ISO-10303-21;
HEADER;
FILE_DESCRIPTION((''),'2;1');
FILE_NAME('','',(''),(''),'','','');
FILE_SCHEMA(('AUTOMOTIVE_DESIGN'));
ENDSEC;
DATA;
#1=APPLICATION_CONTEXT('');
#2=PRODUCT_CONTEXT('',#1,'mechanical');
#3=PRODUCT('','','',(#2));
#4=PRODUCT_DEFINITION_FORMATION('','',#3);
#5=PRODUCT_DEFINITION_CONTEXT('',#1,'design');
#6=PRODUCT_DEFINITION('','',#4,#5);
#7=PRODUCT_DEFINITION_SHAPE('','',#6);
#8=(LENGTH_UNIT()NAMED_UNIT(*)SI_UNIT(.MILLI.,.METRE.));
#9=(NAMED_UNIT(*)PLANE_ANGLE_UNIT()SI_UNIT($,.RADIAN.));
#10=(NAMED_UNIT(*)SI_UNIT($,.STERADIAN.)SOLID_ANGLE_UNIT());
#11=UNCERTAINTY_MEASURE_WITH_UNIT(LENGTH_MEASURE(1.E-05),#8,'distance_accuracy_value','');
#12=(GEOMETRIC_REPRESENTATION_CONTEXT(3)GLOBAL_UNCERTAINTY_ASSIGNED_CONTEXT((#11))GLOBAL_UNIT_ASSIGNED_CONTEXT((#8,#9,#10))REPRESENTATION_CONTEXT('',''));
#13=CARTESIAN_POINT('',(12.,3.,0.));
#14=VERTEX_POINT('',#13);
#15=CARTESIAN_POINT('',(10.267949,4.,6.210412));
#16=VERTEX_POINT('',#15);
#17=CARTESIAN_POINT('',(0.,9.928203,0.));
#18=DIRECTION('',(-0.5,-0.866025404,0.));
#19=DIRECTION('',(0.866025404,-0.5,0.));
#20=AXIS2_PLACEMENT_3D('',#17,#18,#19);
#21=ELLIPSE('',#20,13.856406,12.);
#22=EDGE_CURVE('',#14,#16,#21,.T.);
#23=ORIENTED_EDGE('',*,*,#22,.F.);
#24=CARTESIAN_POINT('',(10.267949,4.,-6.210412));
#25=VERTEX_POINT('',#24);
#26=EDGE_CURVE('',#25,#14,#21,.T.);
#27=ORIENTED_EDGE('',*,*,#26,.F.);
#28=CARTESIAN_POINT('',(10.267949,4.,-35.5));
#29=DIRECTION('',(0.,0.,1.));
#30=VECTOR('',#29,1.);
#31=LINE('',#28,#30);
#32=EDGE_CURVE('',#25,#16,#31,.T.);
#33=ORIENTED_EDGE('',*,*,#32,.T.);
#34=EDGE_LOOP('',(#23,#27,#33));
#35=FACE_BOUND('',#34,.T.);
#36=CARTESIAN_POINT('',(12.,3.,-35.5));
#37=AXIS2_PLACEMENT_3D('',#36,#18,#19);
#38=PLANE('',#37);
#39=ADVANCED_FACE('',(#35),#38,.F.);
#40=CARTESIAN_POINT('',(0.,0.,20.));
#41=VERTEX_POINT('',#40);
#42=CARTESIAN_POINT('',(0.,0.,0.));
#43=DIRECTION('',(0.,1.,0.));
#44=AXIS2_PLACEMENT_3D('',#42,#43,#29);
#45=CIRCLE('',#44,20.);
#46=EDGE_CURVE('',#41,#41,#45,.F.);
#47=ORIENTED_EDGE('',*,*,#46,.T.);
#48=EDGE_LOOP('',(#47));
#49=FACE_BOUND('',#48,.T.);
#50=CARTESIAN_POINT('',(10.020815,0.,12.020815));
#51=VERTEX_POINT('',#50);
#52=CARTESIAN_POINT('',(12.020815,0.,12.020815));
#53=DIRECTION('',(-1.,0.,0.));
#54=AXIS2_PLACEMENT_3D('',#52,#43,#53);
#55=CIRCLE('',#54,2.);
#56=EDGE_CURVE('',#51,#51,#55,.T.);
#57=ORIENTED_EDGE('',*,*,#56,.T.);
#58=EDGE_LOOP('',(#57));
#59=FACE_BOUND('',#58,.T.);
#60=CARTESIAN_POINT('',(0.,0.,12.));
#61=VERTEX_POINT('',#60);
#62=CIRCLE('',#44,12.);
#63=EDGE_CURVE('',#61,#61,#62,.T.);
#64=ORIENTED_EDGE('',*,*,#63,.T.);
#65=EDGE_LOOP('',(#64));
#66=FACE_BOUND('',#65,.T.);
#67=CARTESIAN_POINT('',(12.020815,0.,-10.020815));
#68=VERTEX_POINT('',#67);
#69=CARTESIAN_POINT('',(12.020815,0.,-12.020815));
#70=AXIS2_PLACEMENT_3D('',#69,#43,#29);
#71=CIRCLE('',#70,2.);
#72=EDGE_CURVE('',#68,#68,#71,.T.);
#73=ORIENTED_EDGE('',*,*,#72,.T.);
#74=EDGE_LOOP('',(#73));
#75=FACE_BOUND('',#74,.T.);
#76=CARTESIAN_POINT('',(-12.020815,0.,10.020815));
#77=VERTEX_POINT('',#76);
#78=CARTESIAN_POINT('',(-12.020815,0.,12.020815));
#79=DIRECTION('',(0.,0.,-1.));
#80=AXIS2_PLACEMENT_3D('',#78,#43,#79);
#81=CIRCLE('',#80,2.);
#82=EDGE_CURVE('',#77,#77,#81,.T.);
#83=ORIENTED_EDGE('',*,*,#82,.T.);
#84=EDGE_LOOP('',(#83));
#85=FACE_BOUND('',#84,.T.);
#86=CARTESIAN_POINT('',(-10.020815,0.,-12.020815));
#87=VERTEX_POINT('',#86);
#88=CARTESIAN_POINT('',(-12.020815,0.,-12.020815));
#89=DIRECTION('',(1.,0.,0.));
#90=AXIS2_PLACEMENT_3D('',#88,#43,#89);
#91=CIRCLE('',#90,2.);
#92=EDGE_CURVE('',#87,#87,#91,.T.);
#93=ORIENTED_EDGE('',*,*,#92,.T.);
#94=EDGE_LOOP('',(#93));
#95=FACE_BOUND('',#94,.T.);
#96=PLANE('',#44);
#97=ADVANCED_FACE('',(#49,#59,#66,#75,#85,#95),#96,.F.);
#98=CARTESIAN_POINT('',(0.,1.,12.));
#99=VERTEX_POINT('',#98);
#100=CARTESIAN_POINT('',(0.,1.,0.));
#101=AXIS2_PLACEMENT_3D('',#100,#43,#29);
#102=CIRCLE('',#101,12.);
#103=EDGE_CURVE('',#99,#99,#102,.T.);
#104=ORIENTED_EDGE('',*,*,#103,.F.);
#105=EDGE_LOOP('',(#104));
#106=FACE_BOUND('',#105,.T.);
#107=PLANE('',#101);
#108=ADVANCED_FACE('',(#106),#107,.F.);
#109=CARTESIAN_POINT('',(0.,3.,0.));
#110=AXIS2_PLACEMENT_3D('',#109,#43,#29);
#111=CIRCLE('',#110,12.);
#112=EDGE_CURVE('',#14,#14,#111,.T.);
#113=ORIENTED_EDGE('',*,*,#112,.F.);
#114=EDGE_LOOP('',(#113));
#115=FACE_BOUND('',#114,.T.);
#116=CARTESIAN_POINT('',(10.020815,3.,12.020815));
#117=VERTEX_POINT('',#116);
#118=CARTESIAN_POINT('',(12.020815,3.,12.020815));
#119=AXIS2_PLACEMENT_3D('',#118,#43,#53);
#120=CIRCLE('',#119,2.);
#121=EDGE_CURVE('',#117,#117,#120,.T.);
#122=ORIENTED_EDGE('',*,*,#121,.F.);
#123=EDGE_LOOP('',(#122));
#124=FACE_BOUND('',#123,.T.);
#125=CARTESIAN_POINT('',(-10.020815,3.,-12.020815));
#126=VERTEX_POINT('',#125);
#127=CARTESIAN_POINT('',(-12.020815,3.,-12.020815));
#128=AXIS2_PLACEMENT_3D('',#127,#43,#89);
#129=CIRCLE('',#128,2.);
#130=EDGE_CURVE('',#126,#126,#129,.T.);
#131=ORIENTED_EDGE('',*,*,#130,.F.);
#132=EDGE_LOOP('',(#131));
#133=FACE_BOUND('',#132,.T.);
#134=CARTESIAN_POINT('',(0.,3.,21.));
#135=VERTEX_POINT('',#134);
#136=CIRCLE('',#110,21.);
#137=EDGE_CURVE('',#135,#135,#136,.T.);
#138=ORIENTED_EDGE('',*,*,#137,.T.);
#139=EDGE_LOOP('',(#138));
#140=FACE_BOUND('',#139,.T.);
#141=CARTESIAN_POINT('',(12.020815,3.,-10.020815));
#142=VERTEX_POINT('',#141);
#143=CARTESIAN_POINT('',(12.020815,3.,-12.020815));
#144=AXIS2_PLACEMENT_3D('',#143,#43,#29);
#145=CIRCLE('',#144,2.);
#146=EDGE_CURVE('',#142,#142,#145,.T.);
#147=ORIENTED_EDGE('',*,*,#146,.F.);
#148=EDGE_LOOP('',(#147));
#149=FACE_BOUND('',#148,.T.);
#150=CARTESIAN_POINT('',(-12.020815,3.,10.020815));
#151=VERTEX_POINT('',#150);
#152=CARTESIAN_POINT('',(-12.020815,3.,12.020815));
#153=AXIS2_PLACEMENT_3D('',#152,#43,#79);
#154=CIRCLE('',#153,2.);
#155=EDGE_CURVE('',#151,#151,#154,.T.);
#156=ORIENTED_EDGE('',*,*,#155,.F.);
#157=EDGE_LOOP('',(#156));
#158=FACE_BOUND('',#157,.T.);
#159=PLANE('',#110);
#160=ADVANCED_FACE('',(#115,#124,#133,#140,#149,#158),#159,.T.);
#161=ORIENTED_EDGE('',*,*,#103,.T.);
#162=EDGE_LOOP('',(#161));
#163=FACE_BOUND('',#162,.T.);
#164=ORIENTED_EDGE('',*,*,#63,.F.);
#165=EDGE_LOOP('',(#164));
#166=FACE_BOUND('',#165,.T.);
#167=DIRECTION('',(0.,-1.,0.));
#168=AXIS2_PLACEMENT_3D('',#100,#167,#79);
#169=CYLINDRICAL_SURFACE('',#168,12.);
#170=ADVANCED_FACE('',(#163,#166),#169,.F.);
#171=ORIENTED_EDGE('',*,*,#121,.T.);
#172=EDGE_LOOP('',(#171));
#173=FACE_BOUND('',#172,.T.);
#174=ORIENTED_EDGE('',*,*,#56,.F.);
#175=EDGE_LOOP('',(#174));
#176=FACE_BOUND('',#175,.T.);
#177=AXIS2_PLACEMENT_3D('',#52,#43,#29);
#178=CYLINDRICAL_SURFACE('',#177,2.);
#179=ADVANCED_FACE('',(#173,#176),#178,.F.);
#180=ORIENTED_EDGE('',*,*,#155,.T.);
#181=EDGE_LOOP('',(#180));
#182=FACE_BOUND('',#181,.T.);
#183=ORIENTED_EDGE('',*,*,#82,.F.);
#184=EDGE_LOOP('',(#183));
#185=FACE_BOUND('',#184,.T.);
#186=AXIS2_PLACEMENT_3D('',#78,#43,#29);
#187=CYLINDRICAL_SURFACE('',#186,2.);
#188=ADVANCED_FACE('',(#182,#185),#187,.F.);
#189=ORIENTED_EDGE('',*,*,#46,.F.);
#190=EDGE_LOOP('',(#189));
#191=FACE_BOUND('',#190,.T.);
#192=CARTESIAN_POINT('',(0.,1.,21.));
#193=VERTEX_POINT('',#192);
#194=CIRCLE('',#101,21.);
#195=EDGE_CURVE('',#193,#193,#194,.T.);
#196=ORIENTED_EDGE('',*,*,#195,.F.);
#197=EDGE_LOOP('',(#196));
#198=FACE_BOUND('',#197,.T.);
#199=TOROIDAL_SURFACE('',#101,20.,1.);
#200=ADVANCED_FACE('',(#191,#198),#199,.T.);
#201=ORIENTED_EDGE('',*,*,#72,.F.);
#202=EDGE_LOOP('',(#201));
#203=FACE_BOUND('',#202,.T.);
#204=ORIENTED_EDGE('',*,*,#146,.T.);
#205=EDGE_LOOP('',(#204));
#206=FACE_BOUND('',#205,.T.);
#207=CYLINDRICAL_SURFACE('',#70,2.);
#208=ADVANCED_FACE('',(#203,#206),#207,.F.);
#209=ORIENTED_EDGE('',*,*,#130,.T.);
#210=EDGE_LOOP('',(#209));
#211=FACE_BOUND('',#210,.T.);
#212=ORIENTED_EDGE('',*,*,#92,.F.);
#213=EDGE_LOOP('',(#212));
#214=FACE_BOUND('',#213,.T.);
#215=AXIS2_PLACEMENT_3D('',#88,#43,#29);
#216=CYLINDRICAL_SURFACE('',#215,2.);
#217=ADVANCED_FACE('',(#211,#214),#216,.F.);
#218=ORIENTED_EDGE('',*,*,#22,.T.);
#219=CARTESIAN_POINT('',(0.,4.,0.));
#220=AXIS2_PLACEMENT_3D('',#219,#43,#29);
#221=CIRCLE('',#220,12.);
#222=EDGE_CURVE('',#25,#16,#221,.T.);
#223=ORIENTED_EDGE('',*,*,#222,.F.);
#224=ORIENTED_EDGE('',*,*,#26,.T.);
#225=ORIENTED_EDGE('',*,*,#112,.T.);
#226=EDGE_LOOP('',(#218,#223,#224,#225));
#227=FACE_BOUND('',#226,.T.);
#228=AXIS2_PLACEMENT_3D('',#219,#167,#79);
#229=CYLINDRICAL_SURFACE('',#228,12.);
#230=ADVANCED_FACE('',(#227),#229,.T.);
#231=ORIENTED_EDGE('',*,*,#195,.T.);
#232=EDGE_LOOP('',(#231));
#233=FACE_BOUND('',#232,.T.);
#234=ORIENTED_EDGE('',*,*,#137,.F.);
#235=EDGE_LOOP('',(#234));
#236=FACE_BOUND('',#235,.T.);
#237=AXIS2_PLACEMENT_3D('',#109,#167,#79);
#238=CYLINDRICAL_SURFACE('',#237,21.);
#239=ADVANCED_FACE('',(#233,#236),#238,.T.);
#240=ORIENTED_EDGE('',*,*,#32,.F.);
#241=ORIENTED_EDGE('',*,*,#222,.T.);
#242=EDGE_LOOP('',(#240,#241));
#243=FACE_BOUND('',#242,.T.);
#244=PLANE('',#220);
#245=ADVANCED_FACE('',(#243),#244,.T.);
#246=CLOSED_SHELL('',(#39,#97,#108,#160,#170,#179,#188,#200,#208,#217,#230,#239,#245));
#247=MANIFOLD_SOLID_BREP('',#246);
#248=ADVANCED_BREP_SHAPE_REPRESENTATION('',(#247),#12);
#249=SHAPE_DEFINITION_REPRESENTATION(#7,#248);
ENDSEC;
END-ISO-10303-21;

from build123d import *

# Parameters (mm, degrees)
SKETCH1_R           = 21
BOSS_EXTRUDE1_DEPTH = 3
SKETCH2_R           = 12
BOSS_EXTRUDE2_DEPTH = 1
CUT_EXTRUDE1_START  = -3
SKETCH2_2_R         = 12
CUT_EXTRUDE1_DEPTH  = 1
SKETCH3_R           = 2
CUT_EXTRUDE2_DEPTH  = 30.849623113
CIRPATTERN1_COUNT   = 4
FILLET1_R           = 1
CUT_EXTRUDE3_DEPTH  = 35.5


with BuildPart() as part:
    # Sketch1 → Boss-Extrude1 (new body)
    with BuildSketch(Plane(origin=(0, 0, 0), x_dir=(1, 0, 0), z_dir=(0, 1, 0))):
        Circle(SKETCH1_R)
    extrude(amount=BOSS_EXTRUDE1_DEPTH)

    # Sketch2 → Boss-Extrude2 (add)
    with BuildSketch(Plane(origin=(0, 3, 0), x_dir=(1, 0, 0), z_dir=(0, 1, 0))):
        Circle(SKETCH2_R)
    extrude(amount=BOSS_EXTRUDE2_DEPTH)

    # Sketch2<2> → Cut-Extrude1 (cut)
    with BuildSketch(Plane(origin=(0, 3, 0), x_dir=(1, 0, 0), z_dir=(0, 1, 0)).offset(CUT_EXTRUDE1_START)):
        Circle(SKETCH2_2_R)
    extrude(amount=CUT_EXTRUDE1_DEPTH, mode=Mode.SUBTRACT)

    # Sketch3 → Cut-Extrude2 (cut, through all)
    with BuildSketch(Plane(origin=(0, 3, 0), x_dir=(1, 0, 0), z_dir=(0, 1, 0))):
        with Locations((12.02081528, 12.02081528)):
            Circle(SKETCH3_R)
    cut_extrude2 = extrude(amount=-CUT_EXTRUDE2_DEPTH, mode=Mode.SUBTRACT)

    # CirPattern1: Cut-Extrude2 ×4 about axis
    cirpattern1_axis = Axis((0, 3, 0), (0, -1, 0))
    for i in range(1, CIRPATTERN1_COUNT):
        add(cut_extrude2.rotate(cirpattern1_axis, i * 360 / CIRPATTERN1_COUNT), mode=Mode.SUBTRACT)

    # Fillet1
    fillet1_edges = [part.edges().sort_by_distance(p)[0] for p in [
        (-21, 0, 0),
    ]]
    fillet(fillet1_edges, radius=FILLET1_R)

    # Sketch4 → Cut-Extrude3 (cut, symmetric)
    with BuildSketch(Plane.XY):
        Polygon((12, 3), (10.267949192, 4), (12, 4), align=None)
    extrude(amount=CUT_EXTRUDE3_DEPTH, both=True, mode=Mode.SUBTRACT)


solid = part.part
